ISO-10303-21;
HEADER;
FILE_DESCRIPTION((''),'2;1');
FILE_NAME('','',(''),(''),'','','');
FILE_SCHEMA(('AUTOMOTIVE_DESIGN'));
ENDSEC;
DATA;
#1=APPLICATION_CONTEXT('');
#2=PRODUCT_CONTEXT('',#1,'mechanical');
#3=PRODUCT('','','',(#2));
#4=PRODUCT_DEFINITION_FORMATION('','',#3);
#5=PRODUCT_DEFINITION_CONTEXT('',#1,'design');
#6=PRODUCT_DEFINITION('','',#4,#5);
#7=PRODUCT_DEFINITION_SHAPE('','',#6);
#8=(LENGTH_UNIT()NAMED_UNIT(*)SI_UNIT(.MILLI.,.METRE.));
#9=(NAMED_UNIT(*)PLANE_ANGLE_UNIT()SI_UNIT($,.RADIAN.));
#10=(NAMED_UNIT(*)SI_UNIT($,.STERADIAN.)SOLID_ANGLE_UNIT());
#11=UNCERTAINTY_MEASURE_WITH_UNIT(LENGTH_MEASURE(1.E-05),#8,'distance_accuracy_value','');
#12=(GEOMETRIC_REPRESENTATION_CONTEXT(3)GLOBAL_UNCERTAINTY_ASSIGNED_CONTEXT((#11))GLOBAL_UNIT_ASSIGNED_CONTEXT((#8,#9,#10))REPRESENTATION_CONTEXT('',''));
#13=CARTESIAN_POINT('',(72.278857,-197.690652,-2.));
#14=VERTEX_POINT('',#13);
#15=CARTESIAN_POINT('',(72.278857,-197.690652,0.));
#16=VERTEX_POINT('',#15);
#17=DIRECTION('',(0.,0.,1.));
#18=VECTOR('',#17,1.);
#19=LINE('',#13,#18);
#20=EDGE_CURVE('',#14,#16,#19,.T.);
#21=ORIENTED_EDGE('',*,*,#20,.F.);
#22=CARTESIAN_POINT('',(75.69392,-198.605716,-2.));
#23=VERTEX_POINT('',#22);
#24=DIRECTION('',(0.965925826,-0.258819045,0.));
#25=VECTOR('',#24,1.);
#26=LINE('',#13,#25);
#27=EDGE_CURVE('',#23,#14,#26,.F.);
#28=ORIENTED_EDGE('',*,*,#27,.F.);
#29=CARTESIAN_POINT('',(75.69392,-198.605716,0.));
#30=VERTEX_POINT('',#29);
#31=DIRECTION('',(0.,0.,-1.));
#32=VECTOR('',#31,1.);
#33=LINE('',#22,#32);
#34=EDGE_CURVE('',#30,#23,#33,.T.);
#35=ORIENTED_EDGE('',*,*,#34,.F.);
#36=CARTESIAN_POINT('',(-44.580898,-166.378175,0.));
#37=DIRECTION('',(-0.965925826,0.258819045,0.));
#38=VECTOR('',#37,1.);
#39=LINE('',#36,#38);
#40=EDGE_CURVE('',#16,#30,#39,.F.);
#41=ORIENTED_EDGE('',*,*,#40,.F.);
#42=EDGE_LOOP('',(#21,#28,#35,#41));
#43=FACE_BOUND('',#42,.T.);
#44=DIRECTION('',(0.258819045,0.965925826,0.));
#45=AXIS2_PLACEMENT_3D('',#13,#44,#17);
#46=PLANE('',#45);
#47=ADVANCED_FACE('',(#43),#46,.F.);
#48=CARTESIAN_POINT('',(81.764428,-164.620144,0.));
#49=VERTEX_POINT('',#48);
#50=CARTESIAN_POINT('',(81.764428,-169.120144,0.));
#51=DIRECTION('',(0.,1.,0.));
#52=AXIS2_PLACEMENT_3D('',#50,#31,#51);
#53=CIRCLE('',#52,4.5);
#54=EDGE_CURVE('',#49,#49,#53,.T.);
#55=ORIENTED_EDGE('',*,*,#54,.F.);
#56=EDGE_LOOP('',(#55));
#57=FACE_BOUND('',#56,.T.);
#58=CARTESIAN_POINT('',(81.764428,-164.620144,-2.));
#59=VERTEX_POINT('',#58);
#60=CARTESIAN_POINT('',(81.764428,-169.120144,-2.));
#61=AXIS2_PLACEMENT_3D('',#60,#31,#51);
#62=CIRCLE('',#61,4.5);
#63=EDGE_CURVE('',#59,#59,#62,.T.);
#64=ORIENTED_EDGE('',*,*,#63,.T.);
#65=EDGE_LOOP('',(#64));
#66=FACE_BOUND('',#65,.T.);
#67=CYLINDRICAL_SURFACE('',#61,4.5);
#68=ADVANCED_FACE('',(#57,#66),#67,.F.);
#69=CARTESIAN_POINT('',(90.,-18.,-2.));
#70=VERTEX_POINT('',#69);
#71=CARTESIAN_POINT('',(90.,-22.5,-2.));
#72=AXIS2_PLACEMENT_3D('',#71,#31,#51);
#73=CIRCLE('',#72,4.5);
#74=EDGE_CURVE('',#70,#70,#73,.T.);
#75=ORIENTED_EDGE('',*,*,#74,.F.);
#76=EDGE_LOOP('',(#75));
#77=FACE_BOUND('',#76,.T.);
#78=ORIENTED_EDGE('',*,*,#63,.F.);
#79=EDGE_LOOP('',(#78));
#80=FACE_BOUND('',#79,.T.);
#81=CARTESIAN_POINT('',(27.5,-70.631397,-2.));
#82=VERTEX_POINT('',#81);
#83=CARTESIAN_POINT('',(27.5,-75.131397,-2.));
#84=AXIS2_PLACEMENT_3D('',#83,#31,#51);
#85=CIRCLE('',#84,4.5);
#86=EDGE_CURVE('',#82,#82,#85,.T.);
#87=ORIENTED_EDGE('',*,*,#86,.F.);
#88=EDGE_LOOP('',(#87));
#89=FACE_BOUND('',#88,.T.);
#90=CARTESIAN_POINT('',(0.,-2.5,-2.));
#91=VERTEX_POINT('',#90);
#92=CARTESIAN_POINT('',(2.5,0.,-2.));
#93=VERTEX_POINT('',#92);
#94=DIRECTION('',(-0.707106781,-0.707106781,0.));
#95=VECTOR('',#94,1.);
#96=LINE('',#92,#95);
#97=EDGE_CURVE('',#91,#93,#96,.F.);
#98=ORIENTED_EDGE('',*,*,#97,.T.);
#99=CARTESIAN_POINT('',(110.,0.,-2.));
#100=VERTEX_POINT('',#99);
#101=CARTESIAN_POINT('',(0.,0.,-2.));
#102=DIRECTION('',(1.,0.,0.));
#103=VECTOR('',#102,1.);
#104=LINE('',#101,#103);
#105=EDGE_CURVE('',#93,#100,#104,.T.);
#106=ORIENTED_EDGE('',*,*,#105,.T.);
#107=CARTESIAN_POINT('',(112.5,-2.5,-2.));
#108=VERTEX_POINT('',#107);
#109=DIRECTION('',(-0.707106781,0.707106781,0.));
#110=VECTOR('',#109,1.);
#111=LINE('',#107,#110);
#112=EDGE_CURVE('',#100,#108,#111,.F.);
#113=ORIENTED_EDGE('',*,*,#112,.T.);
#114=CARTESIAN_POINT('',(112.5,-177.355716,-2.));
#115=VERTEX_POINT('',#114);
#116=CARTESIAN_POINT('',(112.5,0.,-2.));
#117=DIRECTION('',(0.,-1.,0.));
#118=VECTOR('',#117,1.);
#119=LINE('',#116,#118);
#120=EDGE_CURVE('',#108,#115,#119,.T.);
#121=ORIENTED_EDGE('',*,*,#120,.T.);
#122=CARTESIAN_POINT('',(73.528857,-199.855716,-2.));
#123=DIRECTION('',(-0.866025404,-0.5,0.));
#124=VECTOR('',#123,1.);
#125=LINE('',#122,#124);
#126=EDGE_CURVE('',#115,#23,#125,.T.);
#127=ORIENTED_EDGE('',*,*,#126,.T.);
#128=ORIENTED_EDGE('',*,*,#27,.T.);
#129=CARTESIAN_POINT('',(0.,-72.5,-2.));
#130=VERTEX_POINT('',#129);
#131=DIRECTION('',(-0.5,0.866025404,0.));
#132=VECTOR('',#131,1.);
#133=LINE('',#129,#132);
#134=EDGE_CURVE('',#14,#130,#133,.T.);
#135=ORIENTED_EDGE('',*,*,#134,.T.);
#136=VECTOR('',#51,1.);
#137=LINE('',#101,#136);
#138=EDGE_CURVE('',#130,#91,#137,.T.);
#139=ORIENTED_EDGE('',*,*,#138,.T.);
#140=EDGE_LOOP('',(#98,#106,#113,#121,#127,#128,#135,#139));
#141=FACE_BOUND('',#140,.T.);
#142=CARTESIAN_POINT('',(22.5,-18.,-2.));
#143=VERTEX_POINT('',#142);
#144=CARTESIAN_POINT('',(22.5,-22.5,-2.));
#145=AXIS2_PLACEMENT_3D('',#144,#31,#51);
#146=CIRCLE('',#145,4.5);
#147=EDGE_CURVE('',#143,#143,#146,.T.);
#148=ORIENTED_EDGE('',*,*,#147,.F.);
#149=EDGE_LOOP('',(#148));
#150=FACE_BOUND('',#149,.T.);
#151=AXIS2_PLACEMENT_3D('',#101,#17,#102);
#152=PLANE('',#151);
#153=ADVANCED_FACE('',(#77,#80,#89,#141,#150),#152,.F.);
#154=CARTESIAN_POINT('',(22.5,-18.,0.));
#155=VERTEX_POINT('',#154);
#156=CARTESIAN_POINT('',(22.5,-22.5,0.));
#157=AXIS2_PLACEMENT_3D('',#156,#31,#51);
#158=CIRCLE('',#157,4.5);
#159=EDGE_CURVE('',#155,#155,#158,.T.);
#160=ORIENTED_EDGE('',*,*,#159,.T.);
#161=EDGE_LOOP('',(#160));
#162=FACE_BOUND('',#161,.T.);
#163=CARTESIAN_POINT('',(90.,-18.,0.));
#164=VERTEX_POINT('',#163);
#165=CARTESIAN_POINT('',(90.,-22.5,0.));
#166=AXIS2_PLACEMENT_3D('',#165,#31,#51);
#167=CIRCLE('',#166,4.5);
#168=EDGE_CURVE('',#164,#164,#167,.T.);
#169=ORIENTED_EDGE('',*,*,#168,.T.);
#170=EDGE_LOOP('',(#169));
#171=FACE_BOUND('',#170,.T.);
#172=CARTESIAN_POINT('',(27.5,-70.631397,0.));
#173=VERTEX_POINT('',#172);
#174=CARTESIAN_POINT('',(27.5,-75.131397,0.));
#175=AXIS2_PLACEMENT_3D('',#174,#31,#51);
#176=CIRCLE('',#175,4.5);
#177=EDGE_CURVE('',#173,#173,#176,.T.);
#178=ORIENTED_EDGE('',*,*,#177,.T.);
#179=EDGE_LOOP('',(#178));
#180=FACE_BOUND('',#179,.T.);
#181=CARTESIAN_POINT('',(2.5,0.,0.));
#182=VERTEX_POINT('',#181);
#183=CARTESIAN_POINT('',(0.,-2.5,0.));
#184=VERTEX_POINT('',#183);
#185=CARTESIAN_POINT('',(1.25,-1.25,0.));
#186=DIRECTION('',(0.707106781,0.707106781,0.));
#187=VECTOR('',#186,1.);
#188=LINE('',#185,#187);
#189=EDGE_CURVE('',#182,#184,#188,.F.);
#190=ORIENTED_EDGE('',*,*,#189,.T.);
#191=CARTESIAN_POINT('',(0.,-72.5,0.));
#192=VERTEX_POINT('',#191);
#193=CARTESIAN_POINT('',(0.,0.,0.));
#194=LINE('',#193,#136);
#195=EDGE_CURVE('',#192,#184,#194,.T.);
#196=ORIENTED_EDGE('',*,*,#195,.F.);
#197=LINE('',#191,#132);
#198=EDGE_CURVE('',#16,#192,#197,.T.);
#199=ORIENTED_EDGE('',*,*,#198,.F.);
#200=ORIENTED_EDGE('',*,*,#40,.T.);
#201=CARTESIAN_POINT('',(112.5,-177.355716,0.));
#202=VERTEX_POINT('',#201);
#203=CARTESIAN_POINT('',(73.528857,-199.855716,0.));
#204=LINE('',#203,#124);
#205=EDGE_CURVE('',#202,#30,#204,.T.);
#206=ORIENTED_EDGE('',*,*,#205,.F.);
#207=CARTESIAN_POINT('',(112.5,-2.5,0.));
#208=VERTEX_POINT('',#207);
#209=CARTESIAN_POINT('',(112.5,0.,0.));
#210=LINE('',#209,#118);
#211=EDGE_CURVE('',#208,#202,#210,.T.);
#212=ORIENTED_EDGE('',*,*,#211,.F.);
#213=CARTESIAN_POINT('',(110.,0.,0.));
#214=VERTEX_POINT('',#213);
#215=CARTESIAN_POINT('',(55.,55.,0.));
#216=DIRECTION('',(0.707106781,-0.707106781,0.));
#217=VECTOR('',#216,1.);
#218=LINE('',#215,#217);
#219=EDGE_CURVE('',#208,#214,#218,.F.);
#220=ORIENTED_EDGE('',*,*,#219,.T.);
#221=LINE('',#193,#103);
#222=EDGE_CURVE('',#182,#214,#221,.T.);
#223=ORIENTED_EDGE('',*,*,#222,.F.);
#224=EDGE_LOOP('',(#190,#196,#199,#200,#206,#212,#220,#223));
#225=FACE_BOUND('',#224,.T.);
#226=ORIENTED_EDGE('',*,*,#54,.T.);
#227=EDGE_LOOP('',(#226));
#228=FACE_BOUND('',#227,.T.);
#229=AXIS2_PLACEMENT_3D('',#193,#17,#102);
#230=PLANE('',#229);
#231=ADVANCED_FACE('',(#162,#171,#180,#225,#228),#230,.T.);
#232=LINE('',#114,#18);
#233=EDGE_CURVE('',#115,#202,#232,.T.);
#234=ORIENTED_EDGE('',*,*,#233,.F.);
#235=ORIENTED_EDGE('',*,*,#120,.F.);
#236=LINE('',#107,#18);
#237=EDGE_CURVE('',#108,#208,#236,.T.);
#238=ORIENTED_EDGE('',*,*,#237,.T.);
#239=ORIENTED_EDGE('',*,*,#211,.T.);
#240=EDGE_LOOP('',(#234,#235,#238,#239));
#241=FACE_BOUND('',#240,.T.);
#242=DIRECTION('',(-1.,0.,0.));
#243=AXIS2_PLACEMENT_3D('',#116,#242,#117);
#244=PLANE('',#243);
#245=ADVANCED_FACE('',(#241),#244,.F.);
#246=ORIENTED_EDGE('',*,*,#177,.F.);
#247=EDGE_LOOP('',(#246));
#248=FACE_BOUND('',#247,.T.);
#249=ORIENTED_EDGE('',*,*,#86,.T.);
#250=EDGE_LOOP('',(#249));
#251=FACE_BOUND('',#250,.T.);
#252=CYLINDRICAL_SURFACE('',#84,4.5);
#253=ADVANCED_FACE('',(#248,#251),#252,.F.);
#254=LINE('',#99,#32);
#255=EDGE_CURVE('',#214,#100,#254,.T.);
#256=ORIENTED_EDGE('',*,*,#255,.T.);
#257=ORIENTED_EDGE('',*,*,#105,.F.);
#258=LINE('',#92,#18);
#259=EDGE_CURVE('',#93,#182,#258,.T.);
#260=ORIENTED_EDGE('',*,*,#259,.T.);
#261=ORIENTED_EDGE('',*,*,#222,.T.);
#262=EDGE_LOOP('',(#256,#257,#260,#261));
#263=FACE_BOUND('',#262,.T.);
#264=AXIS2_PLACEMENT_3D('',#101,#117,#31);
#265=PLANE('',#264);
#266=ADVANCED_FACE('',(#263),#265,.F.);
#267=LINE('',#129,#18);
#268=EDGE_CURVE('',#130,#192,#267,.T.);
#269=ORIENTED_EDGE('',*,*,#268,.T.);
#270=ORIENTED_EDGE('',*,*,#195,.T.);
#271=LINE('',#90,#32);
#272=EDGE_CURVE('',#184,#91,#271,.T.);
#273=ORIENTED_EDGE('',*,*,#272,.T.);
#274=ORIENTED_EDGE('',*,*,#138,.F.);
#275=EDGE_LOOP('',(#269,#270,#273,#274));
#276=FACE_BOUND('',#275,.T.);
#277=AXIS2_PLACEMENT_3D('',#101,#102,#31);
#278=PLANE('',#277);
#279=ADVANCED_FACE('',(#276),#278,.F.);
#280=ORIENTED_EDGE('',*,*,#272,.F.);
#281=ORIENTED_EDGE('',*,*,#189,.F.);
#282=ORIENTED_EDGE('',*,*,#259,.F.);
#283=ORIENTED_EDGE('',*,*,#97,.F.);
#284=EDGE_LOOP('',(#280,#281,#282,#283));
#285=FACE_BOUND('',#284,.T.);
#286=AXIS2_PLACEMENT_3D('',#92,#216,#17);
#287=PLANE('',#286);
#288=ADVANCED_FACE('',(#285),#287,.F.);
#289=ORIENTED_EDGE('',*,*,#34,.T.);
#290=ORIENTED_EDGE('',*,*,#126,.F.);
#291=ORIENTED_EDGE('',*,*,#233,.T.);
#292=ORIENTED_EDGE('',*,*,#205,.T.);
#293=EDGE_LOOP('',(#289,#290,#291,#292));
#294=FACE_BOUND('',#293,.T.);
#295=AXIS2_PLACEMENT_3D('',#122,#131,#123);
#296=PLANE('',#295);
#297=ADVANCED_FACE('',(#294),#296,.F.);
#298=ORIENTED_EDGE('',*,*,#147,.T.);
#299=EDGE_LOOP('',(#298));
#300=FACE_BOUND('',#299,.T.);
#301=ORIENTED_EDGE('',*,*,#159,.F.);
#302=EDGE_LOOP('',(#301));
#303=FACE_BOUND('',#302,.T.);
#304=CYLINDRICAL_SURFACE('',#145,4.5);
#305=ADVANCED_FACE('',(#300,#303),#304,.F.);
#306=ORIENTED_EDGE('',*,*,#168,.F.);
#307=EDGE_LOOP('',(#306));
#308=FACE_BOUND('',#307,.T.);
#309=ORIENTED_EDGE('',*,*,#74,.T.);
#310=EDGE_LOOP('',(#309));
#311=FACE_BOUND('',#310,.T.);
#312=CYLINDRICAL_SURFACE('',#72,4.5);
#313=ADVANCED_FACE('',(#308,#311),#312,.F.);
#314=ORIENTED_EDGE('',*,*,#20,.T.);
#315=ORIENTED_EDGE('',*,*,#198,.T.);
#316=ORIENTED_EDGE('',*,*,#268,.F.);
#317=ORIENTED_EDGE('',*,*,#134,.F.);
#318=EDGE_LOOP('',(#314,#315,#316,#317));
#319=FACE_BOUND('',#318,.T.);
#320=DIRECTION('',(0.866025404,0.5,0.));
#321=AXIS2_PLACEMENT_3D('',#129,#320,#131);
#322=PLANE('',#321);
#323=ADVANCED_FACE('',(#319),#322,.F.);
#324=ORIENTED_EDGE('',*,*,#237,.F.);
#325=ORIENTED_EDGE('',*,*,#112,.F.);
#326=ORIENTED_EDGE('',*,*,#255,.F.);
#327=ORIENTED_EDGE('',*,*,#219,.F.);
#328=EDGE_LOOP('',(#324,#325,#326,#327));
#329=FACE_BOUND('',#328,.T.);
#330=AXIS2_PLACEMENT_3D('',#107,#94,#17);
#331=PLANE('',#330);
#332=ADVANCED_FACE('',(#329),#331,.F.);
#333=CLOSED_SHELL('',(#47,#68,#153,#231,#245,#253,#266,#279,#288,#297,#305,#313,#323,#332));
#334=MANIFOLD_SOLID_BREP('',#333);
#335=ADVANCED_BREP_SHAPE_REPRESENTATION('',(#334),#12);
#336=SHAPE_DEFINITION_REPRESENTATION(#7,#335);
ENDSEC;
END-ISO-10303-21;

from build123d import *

# Parameters (mm, degrees)
EXTRUDE_1_DEPTH   = 2
HOLE_WIZARD_M81_D = 9
CHAMFER_1_SIZE    = 2.5


with BuildPart() as part:
    # Эскиз3 → Бобышка-Вытянуть1 (new body)
    with BuildSketch(Plane(origin=(0, 0, 0), x_dir=(1, 0, 0), z_dir=(0, 0, -1))):
        Polygon((0, 0), (112.5, 0), (112.5, 177.355715852), (73.52885683, 199.855715851), (0, 72.5), align=None)
    extrude(amount=EXTRUDE_1_DEPTH)

    # Отверстие с зазором M81 (through all)
    with Locations(Plane(origin=(0, 0, -2), x_dir=(1, 0, 0), z_dir=(0, 0, -1))):
        with Locations((22.5, 22.5), (90, 22.5), (27.5, 75.131397208), (81.764428415, 169.120144266)):
            Hole(HOLE_WIZARD_M81_D / 2)

    # Фаска1
    chamfer_1_edges = [part.edges().sort_by_distance(p)[0] for p in [
        (73.52885683, -199.855715851, -1),
        (112.5, 0, -1),
        (0, 0, -1),
    ]]
    chamfer(chamfer_1_edges, length=CHAMFER_1_SIZE)


solid = part.part
